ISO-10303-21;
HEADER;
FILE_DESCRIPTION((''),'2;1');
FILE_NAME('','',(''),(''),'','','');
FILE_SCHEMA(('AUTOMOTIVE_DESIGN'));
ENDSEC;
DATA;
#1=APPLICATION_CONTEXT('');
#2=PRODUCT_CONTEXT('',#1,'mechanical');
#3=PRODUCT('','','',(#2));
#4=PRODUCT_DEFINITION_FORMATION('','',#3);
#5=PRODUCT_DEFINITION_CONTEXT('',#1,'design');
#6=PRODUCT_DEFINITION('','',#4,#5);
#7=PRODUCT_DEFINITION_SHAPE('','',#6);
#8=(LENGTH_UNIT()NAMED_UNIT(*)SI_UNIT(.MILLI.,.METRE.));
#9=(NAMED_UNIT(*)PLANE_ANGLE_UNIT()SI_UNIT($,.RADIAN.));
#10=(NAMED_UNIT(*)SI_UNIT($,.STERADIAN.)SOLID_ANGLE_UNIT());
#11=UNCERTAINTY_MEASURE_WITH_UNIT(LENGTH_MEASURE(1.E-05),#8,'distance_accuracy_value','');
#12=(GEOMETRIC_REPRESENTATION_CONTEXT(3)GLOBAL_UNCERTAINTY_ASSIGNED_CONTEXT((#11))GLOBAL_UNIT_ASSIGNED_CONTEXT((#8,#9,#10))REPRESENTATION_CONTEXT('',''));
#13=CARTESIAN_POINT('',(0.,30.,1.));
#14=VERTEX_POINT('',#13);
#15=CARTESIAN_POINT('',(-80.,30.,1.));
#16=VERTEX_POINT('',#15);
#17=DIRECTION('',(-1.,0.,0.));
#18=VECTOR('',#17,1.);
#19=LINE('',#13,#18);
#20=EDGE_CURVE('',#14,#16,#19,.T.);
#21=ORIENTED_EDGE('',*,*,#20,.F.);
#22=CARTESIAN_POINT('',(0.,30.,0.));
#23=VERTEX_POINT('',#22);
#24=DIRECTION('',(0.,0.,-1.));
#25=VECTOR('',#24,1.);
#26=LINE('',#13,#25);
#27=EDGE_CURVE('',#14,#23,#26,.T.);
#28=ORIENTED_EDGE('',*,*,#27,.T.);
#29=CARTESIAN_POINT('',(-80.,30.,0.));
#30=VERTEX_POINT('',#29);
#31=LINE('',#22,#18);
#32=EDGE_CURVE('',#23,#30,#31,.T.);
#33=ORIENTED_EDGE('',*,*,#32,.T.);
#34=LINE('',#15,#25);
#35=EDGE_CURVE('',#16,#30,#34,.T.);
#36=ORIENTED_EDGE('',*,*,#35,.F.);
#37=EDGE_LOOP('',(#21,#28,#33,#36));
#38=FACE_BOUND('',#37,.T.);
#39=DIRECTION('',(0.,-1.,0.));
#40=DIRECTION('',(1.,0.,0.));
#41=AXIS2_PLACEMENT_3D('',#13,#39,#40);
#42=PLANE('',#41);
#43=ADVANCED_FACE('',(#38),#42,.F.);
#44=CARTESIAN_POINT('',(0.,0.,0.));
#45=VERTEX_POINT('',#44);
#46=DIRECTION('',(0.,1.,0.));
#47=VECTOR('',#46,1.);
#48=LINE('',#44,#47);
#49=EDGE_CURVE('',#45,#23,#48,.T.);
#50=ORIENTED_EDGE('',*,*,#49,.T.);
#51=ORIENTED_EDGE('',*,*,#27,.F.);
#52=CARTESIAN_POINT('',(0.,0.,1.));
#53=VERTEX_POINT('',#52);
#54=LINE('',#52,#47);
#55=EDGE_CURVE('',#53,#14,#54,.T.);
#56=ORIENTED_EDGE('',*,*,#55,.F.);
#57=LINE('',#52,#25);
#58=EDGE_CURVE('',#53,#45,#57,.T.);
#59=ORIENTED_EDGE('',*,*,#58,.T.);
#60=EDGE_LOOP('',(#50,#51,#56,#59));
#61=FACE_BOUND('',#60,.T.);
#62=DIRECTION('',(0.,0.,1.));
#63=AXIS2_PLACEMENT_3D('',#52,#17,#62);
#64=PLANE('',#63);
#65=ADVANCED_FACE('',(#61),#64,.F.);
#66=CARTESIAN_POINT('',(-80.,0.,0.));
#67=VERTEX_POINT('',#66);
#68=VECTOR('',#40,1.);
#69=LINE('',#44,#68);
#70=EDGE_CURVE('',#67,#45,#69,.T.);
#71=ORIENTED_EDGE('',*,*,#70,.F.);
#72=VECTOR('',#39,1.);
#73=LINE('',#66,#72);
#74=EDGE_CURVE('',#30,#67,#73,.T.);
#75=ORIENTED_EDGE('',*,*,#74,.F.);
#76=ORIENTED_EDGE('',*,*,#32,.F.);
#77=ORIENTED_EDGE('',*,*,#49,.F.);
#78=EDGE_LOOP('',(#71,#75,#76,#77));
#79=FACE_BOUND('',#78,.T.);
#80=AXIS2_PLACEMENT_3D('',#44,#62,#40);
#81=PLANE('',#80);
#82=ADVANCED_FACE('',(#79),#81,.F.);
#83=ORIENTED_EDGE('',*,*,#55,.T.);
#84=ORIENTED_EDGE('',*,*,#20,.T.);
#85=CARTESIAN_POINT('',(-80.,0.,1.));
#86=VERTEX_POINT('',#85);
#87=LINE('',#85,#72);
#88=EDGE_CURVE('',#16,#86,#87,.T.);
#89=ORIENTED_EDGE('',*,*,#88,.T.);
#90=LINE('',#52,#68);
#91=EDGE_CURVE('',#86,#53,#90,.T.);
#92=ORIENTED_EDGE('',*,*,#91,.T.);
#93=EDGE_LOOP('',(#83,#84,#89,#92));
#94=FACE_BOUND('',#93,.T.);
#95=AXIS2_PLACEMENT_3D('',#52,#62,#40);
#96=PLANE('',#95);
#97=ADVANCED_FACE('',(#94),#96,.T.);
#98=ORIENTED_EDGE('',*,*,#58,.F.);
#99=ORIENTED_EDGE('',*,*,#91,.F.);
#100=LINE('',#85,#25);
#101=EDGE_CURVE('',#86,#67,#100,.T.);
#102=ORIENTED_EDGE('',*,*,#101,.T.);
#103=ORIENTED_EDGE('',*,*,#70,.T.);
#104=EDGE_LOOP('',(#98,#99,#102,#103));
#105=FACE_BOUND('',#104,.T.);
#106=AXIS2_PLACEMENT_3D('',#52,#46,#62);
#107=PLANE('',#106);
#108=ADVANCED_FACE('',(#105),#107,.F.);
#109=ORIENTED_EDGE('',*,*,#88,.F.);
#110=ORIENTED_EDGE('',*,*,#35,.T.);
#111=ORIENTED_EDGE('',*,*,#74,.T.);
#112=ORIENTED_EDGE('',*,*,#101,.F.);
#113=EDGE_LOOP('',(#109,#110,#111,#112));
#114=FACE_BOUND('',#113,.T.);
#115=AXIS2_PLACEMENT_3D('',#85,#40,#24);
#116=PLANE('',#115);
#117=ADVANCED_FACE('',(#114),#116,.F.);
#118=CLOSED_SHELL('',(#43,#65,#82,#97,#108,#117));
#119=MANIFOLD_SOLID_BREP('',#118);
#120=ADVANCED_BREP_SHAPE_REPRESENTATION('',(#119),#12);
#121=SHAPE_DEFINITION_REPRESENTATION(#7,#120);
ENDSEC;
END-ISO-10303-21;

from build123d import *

# Parameters (mm, degrees)
SKETCH_1_W      = 80
SKETCH_1_H      = 30
EXTRUDE_1_DEPTH = 1


with BuildPart() as part:
    # 草圖1 → 填料-伸長1 (new body)
    with BuildSketch(Plane.XY):
        with Locations((-40, 15)):
            Rectangle(SKETCH_1_W, SKETCH_1_H)
    extrude(amount=EXTRUDE_1_DEPTH)


solid = part.part
